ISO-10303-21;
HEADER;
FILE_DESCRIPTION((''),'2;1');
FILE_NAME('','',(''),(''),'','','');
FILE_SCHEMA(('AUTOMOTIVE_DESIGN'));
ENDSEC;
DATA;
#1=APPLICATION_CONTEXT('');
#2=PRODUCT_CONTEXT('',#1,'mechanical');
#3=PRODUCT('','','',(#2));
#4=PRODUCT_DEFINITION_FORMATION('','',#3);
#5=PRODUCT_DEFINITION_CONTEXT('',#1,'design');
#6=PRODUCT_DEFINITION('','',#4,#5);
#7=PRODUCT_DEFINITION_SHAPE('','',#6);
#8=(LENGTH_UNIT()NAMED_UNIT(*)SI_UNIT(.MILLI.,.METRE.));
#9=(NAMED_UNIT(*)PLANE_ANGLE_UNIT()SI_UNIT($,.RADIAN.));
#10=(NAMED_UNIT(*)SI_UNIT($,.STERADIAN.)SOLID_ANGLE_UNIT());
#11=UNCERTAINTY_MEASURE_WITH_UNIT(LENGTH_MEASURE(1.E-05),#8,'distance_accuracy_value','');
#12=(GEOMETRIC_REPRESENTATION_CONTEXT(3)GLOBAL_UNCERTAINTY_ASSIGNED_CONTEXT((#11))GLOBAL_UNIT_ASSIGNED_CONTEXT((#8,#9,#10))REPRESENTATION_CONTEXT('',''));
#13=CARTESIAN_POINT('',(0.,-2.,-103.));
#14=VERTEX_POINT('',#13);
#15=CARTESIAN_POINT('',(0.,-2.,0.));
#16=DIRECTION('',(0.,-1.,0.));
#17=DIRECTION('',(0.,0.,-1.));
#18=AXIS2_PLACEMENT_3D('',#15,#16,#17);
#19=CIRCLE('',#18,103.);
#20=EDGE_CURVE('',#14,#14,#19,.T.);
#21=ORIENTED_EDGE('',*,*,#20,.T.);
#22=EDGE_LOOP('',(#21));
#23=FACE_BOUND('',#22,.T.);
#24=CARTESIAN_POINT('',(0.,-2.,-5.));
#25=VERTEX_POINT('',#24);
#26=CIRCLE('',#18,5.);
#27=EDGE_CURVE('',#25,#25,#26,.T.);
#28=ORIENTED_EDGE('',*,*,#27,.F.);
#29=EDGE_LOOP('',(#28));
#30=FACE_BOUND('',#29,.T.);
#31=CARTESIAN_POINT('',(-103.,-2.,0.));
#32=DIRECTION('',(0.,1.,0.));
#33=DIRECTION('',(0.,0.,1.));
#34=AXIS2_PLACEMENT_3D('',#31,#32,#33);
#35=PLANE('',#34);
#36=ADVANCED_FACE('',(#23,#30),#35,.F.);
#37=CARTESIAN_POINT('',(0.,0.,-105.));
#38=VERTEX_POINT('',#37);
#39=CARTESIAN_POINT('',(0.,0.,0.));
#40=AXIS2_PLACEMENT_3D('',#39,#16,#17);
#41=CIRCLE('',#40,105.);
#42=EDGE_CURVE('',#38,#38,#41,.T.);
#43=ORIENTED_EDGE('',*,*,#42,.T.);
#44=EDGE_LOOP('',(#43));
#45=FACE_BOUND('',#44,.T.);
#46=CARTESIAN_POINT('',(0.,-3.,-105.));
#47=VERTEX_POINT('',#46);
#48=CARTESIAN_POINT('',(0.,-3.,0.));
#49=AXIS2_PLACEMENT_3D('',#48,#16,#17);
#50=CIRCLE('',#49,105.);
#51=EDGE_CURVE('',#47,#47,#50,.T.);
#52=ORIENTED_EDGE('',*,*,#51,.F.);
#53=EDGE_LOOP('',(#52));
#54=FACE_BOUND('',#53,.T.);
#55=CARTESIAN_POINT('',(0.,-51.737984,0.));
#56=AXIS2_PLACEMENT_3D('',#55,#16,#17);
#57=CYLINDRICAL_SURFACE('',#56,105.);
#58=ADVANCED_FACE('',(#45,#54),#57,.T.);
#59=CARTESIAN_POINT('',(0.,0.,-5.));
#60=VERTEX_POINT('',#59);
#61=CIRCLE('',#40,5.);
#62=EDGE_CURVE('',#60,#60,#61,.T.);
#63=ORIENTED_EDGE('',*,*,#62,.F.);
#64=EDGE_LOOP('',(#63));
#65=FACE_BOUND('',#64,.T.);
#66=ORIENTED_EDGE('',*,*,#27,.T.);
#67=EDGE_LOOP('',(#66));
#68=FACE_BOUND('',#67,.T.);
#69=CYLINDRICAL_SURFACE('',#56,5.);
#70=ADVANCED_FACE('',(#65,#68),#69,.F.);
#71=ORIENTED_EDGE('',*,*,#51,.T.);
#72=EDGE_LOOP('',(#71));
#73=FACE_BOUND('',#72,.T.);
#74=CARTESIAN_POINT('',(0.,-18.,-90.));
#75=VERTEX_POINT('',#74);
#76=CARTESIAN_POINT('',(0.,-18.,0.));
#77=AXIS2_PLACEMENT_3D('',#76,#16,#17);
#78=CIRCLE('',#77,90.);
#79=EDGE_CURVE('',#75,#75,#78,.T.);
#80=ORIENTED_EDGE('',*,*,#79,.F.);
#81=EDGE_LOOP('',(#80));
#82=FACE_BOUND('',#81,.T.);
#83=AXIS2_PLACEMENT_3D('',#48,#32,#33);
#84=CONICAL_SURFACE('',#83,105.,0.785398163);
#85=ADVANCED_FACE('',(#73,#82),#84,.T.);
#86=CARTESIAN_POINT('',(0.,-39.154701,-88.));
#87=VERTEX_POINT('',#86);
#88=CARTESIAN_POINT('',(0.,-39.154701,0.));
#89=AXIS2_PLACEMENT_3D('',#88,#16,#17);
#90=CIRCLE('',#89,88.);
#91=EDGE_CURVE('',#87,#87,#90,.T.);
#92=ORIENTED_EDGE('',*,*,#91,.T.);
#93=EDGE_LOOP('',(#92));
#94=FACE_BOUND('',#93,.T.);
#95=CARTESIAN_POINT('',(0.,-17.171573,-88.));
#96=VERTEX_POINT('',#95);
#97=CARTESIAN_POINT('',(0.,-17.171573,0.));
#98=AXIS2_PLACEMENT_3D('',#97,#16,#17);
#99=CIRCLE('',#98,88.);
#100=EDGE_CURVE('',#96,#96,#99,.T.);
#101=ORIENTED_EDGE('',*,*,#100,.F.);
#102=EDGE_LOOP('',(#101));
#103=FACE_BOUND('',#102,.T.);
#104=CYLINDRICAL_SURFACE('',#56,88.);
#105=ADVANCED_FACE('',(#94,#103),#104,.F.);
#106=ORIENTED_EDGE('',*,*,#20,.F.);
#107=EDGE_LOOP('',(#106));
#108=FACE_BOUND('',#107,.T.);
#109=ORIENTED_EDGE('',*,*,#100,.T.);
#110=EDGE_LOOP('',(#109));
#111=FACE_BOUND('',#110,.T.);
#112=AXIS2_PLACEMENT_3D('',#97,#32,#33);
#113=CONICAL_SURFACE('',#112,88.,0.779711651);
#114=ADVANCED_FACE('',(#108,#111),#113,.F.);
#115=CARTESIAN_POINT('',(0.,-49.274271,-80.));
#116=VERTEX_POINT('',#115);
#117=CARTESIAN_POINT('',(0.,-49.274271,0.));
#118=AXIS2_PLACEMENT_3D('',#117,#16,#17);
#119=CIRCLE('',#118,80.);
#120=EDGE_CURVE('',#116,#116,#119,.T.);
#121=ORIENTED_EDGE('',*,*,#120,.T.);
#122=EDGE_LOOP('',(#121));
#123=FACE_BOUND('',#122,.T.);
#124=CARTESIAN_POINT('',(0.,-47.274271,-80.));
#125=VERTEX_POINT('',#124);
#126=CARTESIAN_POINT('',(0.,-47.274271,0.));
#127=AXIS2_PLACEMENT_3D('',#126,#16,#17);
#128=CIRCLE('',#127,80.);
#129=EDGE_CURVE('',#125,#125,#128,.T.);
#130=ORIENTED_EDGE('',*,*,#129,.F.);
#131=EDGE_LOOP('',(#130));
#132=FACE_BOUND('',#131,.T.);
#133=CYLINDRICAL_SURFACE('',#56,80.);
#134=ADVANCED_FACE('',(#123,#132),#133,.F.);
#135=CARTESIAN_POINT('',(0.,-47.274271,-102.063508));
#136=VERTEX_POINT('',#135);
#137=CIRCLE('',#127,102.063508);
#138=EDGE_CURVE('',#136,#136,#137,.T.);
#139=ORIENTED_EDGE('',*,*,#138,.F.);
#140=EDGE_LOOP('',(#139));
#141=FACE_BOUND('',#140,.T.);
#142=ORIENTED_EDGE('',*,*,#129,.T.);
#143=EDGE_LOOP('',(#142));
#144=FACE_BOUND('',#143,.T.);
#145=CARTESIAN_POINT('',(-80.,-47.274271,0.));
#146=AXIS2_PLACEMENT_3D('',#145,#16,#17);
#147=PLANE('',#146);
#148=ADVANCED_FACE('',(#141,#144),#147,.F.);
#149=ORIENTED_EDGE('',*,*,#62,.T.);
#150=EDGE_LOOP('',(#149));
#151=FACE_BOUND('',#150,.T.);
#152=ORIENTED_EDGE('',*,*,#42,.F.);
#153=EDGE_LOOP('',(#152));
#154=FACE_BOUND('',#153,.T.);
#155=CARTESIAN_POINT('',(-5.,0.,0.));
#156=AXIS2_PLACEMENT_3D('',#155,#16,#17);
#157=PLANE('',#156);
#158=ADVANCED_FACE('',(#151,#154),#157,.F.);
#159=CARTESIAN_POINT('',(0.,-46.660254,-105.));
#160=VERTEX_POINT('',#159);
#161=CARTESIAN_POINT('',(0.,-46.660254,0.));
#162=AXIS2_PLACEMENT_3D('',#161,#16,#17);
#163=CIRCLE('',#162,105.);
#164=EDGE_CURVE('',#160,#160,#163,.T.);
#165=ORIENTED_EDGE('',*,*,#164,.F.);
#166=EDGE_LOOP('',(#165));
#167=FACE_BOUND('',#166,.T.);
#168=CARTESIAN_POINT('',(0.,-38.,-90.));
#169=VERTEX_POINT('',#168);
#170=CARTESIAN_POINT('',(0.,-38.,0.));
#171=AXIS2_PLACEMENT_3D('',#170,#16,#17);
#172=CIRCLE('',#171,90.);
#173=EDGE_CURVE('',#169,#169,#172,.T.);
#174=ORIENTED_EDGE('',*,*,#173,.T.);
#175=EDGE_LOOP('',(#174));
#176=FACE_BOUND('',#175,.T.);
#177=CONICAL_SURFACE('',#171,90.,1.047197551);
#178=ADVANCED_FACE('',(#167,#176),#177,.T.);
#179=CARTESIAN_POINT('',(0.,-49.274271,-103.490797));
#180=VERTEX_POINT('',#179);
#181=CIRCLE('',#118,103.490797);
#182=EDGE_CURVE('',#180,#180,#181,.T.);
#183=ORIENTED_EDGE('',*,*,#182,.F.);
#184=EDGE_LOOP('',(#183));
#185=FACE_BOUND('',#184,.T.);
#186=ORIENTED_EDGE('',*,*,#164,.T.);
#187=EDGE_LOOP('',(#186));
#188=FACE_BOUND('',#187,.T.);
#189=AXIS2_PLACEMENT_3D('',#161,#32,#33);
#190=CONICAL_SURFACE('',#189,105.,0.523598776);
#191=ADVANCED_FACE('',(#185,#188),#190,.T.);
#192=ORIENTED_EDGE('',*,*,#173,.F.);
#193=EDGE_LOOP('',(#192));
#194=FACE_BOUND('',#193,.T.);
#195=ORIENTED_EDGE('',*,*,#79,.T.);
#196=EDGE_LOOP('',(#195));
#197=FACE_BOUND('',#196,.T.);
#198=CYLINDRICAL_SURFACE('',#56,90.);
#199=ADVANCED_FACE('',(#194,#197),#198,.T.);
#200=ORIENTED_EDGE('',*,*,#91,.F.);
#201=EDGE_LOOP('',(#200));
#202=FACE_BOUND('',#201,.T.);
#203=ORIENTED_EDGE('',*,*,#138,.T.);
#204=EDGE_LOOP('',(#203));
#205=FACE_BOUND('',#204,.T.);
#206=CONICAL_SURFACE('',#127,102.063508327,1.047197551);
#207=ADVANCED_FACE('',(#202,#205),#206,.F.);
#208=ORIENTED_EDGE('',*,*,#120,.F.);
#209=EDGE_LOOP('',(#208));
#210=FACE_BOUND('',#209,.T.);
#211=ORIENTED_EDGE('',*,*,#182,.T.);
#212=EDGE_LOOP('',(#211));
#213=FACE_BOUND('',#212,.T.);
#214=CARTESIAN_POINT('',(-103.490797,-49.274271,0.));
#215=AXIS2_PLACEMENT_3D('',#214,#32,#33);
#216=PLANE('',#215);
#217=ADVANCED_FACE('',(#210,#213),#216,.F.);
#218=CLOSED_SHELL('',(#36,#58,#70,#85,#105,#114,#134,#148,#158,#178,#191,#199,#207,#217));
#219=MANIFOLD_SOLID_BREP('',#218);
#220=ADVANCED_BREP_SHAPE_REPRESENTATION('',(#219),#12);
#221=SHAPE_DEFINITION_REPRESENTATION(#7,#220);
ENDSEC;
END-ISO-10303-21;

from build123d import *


with BuildPart() as part:
    # Esquisse1 → Révolution1 (revolve)
    with BuildSketch(Plane.XY, mode=Mode.PRIVATE) as r_volution1_sk:
        Polygon((-5, 0), (-105, 0), (-105, -3), (-90, -18), (-90, -38), (-105, -46.660254038), (-103.490796686, -49.274270857), (-80, -49.274270857), (-80, -47.274270857), (-102.063508327, -47.274270857), (-88, -39.154700538), (-88, -17.171572875), (-103, -2), (-5, -2), align=None)
    revolve(r_volution1_sk.sketch.rotate(Axis((0, -51.737984399, 0), (0, 1, 0)), 270), axis=Axis((0, -51.737984399, 0), (0, 1, 0)))


solid = part.part
